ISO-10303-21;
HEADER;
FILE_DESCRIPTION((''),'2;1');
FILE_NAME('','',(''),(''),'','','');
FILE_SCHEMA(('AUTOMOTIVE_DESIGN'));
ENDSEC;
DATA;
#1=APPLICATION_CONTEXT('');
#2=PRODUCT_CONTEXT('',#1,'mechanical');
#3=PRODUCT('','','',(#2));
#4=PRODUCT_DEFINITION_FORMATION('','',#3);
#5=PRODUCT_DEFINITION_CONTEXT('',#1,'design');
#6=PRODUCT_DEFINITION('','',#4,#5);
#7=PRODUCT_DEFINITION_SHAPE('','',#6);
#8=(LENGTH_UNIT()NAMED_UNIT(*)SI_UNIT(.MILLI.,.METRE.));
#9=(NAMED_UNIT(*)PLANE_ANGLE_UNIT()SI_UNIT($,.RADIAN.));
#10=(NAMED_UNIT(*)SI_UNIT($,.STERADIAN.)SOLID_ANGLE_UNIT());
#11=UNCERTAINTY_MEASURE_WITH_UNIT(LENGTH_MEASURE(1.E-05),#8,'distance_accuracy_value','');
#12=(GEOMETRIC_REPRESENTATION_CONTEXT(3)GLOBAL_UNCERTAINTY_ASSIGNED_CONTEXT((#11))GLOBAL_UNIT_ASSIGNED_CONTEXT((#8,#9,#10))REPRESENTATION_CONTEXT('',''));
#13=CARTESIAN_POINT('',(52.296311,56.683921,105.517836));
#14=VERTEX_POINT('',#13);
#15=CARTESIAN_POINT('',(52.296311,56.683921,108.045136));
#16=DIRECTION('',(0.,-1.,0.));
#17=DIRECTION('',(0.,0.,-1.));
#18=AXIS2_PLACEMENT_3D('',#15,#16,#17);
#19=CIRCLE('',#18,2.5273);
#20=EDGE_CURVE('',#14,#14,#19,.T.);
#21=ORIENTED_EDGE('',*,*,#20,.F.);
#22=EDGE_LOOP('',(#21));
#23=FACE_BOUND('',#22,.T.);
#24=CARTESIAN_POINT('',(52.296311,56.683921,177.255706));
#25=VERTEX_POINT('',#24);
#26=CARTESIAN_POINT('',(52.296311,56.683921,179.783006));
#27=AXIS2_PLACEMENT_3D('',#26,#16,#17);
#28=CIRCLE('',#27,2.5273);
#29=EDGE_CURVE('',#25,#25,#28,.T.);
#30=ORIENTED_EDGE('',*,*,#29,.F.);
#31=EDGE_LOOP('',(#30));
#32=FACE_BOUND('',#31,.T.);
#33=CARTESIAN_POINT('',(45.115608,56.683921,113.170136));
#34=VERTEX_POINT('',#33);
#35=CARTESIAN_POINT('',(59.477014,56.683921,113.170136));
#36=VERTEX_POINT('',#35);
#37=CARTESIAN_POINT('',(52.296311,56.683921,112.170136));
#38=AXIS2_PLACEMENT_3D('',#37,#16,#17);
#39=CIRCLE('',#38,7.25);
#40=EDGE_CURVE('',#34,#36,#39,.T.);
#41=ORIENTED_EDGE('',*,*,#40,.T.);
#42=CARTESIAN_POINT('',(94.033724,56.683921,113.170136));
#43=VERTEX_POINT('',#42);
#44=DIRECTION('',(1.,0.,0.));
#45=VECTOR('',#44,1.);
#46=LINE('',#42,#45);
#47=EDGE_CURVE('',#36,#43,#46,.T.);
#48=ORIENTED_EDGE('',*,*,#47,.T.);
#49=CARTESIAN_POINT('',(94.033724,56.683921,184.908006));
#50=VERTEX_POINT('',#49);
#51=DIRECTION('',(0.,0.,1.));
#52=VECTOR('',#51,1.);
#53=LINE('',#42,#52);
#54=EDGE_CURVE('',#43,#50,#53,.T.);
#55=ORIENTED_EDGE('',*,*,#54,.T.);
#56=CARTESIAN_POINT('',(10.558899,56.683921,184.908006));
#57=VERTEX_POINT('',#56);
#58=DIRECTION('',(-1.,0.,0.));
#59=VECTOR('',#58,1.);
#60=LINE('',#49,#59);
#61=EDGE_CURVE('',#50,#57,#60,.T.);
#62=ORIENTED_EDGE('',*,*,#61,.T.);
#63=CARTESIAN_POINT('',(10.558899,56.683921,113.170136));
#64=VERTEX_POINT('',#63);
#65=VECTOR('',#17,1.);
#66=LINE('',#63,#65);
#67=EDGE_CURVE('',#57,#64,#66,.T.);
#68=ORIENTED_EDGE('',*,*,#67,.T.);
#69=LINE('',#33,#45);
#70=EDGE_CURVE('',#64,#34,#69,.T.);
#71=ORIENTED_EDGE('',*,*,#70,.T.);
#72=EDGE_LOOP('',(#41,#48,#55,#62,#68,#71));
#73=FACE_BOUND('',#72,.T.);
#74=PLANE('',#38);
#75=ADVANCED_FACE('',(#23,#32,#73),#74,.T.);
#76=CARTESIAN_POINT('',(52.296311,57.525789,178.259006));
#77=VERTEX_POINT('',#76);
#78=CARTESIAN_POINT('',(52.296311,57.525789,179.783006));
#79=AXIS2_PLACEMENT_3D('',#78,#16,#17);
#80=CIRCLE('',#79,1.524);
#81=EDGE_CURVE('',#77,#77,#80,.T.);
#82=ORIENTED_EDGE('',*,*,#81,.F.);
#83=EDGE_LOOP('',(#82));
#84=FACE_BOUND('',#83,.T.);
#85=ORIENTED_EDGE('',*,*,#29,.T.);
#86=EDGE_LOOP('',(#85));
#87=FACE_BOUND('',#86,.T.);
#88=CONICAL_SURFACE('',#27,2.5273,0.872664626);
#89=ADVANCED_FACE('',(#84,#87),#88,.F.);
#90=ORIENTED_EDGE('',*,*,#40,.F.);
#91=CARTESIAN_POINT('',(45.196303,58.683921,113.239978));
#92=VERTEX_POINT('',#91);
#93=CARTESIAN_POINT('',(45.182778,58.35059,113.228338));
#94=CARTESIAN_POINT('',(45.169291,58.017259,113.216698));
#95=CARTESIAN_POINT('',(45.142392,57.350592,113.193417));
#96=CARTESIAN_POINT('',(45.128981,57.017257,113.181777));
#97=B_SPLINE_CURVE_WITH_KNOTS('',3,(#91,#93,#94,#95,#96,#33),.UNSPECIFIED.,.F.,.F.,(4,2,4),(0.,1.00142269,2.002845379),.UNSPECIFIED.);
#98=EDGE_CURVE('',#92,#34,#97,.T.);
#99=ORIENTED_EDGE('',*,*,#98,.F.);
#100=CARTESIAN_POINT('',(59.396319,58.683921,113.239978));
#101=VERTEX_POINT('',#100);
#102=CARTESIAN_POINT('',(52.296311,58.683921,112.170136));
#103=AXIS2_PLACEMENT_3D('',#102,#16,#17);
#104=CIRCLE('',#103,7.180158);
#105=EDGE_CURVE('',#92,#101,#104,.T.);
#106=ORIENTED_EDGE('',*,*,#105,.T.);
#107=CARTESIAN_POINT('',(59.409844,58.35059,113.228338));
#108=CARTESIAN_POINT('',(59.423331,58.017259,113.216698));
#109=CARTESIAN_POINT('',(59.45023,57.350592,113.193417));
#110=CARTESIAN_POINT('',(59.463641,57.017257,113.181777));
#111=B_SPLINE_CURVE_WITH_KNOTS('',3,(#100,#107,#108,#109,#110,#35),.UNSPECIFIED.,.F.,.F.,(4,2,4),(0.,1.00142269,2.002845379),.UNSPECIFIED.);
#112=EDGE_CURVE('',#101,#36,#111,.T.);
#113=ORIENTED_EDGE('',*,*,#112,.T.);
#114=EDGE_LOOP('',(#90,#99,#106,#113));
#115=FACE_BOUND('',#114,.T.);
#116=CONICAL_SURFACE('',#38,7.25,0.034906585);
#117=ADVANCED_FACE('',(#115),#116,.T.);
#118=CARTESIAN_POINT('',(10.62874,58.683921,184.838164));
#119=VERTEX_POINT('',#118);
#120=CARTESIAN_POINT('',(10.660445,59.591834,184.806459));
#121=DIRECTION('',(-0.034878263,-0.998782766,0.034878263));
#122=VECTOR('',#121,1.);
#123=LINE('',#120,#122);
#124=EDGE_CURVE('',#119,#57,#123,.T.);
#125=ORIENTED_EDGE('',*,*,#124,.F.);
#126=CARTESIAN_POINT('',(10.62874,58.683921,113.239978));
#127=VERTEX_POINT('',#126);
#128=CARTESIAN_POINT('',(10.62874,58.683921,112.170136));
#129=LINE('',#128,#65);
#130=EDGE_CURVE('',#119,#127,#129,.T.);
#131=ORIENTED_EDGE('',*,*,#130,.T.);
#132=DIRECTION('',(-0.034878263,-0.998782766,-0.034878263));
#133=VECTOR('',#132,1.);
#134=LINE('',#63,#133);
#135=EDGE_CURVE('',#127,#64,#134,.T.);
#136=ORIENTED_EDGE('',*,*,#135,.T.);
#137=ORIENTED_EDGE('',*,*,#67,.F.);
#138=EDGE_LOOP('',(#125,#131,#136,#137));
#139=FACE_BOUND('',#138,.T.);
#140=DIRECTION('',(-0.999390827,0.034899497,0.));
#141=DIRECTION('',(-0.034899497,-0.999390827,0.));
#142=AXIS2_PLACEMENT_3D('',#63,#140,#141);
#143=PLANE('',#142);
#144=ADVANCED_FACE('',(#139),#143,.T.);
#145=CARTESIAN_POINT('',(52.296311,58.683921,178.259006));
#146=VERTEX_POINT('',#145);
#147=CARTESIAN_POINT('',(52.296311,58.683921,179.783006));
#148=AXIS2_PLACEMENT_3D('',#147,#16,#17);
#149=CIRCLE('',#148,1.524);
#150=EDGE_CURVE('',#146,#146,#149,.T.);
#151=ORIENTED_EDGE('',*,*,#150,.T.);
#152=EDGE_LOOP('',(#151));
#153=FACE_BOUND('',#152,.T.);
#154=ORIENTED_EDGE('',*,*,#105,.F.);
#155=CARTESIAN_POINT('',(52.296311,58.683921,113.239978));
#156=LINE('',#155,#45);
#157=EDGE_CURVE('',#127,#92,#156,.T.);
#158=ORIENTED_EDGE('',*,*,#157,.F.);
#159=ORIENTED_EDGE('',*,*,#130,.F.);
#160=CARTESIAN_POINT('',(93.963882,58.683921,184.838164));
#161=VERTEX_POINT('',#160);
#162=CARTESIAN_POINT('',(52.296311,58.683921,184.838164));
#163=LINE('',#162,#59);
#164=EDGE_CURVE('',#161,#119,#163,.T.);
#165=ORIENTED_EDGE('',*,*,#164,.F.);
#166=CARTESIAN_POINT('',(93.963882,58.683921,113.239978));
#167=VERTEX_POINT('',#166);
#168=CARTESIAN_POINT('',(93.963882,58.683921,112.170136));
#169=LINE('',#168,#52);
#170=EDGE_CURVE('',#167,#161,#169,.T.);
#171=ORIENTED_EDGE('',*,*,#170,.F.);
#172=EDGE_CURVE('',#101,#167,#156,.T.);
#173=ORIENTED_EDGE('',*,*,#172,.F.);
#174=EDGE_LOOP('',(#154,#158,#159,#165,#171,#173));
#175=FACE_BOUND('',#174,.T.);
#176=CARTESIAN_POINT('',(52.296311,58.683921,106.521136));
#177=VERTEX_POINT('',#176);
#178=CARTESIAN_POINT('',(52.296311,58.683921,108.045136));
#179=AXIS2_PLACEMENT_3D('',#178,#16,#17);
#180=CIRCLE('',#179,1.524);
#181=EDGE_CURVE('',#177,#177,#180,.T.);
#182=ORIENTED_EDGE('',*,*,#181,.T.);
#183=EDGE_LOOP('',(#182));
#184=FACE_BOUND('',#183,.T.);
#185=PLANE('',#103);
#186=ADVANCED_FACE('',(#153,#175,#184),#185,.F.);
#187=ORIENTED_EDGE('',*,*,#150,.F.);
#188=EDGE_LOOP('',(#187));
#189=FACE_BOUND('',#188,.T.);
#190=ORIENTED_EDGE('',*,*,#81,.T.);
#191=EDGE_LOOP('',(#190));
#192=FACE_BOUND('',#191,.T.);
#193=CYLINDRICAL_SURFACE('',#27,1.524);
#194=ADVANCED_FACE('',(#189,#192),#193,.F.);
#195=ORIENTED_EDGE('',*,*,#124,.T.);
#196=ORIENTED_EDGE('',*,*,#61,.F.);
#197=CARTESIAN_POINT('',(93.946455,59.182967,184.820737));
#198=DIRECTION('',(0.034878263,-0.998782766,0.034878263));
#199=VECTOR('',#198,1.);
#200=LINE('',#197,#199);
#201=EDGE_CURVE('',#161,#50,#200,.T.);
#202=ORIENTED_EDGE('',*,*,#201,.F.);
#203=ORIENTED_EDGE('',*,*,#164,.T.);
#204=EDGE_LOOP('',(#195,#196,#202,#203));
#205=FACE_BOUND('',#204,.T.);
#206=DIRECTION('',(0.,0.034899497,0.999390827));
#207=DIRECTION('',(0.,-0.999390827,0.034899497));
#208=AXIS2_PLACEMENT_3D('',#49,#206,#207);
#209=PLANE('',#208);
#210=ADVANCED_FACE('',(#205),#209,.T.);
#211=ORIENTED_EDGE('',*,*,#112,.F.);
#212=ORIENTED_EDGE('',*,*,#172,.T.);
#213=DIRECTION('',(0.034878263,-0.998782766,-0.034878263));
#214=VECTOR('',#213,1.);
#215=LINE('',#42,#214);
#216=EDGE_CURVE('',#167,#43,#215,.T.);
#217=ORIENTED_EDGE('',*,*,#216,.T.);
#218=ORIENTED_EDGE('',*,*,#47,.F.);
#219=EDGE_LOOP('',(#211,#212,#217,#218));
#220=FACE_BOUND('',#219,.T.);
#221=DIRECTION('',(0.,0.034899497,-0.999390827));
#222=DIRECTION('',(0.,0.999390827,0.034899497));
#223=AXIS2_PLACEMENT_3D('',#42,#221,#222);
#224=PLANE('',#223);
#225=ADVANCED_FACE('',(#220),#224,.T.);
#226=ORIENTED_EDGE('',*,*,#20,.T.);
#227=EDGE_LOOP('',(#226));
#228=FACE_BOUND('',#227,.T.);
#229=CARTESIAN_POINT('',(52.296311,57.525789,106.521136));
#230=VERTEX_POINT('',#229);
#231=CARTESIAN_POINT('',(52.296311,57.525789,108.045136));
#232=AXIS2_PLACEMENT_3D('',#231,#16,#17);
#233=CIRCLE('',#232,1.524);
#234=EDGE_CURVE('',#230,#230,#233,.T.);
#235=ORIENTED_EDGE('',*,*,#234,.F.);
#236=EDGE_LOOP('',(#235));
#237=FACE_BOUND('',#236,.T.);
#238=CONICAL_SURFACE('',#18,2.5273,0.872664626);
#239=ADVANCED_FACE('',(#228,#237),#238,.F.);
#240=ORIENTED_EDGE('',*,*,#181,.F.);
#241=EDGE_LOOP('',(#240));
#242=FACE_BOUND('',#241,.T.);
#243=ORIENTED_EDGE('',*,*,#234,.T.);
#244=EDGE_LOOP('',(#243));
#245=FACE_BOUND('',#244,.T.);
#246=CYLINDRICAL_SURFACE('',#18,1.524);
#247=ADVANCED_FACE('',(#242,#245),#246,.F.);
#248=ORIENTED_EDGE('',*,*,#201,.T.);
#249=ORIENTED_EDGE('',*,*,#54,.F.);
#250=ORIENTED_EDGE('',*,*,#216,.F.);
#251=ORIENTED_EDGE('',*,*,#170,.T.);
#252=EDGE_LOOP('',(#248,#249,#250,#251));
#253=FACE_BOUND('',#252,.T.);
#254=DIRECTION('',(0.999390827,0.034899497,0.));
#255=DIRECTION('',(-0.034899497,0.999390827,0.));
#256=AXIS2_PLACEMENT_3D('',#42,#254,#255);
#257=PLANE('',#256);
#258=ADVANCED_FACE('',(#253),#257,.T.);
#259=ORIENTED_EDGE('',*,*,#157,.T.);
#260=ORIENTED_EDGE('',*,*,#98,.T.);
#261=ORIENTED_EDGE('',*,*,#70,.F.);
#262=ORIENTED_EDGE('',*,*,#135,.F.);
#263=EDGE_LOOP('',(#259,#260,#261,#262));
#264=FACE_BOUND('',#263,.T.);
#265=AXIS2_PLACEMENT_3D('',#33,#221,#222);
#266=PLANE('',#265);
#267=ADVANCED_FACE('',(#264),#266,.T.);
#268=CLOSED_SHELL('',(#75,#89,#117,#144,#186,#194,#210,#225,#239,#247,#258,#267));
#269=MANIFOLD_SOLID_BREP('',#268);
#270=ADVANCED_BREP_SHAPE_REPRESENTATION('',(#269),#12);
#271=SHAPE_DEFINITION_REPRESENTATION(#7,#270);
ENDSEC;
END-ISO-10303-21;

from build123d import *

# Parameters (mm, degrees)
BOSS_EXTRUDE1_DEPTH                       = 2
BOSS_EXTRUDE1_TAPER                       = 2
CSK_FOR_3_FLAT_HEAD_MACHINE_SCREW_2_COUNT = 2
CSK_FOR_3_FLAT_HEAD_MACHINE_SCREW_2_PITCH = 71.73786937


with BuildPart() as part:
    # Sketch1 → Boss-Extrude1 (new body)
    with BuildSketch(Plane(origin=(0, 56.683920775, 0), x_dir=(-1, 0, 0), z_dir=(0, -1, 0))):
        with BuildLine():
            ThreePointArc((-45.115607871, -113.170136337), (-52.296311179, -104.920136337), (-59.477014487, -113.170136337))
            Line((-59.477014487, -113.170136337), (-94.033723565, -113.170136337))
            Line((-94.033723565, -113.170136337), (-94.033723565, -184.908005707))
            Line((-94.033723565, -184.908005707), (-10.558898793, -184.908005707))
            Line((-10.558898793, -184.908005707), (-10.558898793, -113.170136337))
            Line((-10.558898793, -113.170136337), (-45.115607871, -113.170136337))
        make_face()
    extrude(amount=-BOSS_EXTRUDE1_DEPTH, taper=BOSS_EXTRUDE1_TAPER)

    # Sketch3 → CSK for #3 Flat Head Machine Screw (100)1 (revolve, cut)
    with BuildSketch(Plane(origin=(52.296311179, 56.683920775, 108.045136337), x_dir=(0, 0, -1), z_dir=(1, 0, 0))):
        Polygon((0, 0), (0, 2), (1.524, 2), (1.524, 0.84186866), (2.5273, 0), align=None)
    csk_for_3_flat_head_machine_screw_100 = revolve(axis=Axis((52.296311179, 50.333920775, 108.045136337), (0, 1, 0)), mode=Mode.SUBTRACT)

    # CSK for _3 Flat Head Machine Screw _ 2: CSK for #3 Flat Head Machine Screw (100)1 ×2
    with Locations(*[(0, 0, i * CSK_FOR_3_FLAT_HEAD_MACHINE_SCREW_2_PITCH) for i in range(1, CSK_FOR_3_FLAT_HEAD_MACHINE_SCREW_2_COUNT)]):
        add(csk_for_3_flat_head_machine_screw_100, mode=Mode.SUBTRACT)


solid = part.part
